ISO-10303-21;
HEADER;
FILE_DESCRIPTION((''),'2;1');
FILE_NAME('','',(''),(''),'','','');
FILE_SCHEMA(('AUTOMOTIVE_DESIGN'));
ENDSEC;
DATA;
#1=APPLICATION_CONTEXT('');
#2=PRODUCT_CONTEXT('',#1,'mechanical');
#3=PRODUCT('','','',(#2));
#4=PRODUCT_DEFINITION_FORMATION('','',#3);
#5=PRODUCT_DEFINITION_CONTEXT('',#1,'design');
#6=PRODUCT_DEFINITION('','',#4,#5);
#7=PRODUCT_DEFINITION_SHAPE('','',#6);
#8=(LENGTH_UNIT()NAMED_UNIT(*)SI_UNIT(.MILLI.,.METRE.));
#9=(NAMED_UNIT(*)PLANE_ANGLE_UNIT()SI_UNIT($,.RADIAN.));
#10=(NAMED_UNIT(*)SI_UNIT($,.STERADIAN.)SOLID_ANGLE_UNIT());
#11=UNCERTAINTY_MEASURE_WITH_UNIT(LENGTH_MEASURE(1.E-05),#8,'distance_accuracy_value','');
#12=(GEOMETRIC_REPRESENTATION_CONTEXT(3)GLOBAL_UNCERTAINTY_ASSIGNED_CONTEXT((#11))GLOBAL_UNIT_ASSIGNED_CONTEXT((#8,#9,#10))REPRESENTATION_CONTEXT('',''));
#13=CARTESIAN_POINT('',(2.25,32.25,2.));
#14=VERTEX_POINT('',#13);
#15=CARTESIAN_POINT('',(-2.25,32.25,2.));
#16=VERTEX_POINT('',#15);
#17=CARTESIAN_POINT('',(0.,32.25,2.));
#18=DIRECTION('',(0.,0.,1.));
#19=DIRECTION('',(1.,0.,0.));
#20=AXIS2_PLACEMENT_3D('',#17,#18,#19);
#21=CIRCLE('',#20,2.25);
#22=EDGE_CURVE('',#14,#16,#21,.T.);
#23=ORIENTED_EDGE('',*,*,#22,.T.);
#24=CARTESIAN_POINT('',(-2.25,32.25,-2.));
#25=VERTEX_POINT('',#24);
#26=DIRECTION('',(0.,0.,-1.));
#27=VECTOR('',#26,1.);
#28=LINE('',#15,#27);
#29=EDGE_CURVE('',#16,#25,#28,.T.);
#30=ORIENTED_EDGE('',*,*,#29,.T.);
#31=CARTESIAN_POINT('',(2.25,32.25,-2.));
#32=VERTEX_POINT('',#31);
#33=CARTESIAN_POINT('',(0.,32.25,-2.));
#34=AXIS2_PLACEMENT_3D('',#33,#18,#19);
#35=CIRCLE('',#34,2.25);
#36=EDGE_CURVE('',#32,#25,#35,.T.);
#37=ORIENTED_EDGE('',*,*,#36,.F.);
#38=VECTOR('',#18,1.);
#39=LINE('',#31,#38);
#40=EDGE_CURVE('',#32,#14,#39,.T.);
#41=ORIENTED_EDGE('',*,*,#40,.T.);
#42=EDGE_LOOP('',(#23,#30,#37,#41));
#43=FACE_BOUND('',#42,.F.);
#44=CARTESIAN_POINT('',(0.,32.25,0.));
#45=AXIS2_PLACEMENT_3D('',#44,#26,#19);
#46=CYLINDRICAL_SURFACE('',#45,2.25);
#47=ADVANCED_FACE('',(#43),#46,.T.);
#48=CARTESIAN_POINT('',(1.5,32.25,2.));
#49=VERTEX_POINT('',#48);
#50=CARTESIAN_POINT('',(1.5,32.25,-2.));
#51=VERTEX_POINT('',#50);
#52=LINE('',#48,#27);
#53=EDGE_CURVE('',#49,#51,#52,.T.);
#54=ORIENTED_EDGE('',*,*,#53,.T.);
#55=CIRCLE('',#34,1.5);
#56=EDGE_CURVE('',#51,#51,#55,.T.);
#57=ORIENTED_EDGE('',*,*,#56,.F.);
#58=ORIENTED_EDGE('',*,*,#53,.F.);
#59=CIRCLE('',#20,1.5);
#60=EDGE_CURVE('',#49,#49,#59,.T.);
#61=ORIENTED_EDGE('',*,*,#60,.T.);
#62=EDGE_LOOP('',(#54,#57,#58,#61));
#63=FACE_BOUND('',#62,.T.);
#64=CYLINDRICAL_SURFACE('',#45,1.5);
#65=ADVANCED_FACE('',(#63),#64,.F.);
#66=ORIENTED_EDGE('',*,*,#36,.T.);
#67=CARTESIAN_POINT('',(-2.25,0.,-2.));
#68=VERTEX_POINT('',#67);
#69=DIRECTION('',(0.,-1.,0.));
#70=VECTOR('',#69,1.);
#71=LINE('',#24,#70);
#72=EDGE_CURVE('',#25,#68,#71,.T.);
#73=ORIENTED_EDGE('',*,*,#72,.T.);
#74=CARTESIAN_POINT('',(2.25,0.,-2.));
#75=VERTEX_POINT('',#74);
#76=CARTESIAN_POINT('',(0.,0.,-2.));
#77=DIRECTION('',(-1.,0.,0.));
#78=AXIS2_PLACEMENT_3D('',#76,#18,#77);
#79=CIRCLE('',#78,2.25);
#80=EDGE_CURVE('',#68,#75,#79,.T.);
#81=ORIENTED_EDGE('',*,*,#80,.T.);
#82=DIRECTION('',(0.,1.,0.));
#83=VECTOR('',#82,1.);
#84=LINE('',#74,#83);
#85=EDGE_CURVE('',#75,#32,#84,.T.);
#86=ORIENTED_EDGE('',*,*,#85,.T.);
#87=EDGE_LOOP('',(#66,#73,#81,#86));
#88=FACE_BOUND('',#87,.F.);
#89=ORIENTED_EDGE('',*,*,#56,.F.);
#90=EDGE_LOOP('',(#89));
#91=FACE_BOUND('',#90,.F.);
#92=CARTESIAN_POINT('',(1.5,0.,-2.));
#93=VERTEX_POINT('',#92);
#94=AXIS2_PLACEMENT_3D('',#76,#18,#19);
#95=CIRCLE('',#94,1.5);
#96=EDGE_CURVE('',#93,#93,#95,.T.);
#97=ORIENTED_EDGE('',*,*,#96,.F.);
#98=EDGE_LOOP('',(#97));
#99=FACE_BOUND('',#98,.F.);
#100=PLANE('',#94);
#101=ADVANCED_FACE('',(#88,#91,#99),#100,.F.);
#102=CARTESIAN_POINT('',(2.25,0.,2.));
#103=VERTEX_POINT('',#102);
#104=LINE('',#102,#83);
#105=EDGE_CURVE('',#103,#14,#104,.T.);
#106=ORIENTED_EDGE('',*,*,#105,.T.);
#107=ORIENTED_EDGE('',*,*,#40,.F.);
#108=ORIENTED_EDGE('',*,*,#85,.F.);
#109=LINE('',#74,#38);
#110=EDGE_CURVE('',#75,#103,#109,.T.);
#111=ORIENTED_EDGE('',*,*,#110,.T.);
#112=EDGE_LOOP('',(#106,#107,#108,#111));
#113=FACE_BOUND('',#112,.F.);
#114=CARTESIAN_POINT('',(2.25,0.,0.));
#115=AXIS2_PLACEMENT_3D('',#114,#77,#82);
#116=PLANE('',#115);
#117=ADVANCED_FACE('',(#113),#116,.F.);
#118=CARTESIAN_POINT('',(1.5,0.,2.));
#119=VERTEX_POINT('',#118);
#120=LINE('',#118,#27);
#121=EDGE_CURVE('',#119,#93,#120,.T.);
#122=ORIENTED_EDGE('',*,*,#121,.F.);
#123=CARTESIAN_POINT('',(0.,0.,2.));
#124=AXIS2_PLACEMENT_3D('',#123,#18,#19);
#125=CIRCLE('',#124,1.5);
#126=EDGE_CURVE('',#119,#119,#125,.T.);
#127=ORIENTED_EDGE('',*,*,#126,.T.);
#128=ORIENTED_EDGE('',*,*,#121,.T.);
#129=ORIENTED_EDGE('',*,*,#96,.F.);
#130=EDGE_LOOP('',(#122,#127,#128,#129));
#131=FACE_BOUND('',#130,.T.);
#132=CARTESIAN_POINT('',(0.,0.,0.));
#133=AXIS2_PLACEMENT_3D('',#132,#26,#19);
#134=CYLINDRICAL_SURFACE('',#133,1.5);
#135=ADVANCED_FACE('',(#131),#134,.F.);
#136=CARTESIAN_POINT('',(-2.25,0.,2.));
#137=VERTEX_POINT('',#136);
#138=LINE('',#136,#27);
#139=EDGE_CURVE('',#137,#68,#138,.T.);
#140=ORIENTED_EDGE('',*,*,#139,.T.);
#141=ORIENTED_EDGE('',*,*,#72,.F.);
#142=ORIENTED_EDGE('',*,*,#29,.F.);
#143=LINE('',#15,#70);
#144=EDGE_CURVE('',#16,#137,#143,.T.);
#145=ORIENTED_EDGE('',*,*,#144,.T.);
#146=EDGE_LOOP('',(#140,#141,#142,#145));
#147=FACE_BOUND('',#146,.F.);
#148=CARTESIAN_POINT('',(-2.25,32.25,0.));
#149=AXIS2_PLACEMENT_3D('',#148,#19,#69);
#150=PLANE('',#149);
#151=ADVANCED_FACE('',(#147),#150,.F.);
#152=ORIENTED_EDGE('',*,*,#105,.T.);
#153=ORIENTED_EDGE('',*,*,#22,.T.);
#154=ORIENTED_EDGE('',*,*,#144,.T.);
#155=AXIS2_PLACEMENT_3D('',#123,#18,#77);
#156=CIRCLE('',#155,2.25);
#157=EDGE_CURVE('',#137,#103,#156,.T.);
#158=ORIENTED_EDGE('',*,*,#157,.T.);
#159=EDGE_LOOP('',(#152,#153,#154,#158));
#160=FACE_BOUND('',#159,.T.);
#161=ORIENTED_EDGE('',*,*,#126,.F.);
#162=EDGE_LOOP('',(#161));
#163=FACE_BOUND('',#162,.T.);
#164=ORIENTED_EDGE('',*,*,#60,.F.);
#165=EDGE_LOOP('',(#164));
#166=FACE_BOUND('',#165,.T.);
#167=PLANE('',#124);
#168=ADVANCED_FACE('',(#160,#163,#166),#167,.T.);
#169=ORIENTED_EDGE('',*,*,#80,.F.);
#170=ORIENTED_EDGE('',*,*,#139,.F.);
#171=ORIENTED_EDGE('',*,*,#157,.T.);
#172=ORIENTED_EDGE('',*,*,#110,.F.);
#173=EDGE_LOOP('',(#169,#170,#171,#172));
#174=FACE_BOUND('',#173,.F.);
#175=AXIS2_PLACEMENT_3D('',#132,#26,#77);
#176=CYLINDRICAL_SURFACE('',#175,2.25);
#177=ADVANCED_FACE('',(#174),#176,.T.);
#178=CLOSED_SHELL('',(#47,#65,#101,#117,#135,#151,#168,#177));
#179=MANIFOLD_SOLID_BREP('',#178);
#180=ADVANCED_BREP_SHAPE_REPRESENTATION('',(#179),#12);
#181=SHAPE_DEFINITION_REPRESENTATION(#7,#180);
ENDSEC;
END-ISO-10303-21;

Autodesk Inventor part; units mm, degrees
ref_plane "YZ Plane" through (0, 0, 0) normal (1, 0, 0) x (0, 1, 0)
ref_plane "XZ Plane" through (0, 0, 0) normal (0, 1, 0) x (-1, 0, 0)
ref_plane "XY Plane" through (0, 0, 0) normal (0, 0, 1) x (1, 0, 0)
sketch "Sketch1" plane through (0, 0, 0) normal (0, 0, 1) x (1, 0, 0)
  line L0 (0, 0) -> (0, 32.25) construction
  line L1 (2.25, 0) -> (2.25, 32.25)
  line L2 (-2.25, 32.25) -> (-2.25, 0)
  arc A0 (-2.25, 0) -> (2.25, 0) centre (0, 0) ccw
  arc A1 (2.25, 32.25) -> (-2.25, 32.25) centre (0, 32.25) ccw
  circle A2 centre (0, 0) radius 1.5
  circle A3 centre (0, 32.25) radius 1.5
  point P0 (0, 16.125)
  dimension "d0" = 32.25
  dimension "d1" = 4.5
  dimension "d2" = 3
  dimension "d3" = 3
extrude "Extrusion1" add sketch "Sketch1" along normal mid plane 4
properties part number "un"
